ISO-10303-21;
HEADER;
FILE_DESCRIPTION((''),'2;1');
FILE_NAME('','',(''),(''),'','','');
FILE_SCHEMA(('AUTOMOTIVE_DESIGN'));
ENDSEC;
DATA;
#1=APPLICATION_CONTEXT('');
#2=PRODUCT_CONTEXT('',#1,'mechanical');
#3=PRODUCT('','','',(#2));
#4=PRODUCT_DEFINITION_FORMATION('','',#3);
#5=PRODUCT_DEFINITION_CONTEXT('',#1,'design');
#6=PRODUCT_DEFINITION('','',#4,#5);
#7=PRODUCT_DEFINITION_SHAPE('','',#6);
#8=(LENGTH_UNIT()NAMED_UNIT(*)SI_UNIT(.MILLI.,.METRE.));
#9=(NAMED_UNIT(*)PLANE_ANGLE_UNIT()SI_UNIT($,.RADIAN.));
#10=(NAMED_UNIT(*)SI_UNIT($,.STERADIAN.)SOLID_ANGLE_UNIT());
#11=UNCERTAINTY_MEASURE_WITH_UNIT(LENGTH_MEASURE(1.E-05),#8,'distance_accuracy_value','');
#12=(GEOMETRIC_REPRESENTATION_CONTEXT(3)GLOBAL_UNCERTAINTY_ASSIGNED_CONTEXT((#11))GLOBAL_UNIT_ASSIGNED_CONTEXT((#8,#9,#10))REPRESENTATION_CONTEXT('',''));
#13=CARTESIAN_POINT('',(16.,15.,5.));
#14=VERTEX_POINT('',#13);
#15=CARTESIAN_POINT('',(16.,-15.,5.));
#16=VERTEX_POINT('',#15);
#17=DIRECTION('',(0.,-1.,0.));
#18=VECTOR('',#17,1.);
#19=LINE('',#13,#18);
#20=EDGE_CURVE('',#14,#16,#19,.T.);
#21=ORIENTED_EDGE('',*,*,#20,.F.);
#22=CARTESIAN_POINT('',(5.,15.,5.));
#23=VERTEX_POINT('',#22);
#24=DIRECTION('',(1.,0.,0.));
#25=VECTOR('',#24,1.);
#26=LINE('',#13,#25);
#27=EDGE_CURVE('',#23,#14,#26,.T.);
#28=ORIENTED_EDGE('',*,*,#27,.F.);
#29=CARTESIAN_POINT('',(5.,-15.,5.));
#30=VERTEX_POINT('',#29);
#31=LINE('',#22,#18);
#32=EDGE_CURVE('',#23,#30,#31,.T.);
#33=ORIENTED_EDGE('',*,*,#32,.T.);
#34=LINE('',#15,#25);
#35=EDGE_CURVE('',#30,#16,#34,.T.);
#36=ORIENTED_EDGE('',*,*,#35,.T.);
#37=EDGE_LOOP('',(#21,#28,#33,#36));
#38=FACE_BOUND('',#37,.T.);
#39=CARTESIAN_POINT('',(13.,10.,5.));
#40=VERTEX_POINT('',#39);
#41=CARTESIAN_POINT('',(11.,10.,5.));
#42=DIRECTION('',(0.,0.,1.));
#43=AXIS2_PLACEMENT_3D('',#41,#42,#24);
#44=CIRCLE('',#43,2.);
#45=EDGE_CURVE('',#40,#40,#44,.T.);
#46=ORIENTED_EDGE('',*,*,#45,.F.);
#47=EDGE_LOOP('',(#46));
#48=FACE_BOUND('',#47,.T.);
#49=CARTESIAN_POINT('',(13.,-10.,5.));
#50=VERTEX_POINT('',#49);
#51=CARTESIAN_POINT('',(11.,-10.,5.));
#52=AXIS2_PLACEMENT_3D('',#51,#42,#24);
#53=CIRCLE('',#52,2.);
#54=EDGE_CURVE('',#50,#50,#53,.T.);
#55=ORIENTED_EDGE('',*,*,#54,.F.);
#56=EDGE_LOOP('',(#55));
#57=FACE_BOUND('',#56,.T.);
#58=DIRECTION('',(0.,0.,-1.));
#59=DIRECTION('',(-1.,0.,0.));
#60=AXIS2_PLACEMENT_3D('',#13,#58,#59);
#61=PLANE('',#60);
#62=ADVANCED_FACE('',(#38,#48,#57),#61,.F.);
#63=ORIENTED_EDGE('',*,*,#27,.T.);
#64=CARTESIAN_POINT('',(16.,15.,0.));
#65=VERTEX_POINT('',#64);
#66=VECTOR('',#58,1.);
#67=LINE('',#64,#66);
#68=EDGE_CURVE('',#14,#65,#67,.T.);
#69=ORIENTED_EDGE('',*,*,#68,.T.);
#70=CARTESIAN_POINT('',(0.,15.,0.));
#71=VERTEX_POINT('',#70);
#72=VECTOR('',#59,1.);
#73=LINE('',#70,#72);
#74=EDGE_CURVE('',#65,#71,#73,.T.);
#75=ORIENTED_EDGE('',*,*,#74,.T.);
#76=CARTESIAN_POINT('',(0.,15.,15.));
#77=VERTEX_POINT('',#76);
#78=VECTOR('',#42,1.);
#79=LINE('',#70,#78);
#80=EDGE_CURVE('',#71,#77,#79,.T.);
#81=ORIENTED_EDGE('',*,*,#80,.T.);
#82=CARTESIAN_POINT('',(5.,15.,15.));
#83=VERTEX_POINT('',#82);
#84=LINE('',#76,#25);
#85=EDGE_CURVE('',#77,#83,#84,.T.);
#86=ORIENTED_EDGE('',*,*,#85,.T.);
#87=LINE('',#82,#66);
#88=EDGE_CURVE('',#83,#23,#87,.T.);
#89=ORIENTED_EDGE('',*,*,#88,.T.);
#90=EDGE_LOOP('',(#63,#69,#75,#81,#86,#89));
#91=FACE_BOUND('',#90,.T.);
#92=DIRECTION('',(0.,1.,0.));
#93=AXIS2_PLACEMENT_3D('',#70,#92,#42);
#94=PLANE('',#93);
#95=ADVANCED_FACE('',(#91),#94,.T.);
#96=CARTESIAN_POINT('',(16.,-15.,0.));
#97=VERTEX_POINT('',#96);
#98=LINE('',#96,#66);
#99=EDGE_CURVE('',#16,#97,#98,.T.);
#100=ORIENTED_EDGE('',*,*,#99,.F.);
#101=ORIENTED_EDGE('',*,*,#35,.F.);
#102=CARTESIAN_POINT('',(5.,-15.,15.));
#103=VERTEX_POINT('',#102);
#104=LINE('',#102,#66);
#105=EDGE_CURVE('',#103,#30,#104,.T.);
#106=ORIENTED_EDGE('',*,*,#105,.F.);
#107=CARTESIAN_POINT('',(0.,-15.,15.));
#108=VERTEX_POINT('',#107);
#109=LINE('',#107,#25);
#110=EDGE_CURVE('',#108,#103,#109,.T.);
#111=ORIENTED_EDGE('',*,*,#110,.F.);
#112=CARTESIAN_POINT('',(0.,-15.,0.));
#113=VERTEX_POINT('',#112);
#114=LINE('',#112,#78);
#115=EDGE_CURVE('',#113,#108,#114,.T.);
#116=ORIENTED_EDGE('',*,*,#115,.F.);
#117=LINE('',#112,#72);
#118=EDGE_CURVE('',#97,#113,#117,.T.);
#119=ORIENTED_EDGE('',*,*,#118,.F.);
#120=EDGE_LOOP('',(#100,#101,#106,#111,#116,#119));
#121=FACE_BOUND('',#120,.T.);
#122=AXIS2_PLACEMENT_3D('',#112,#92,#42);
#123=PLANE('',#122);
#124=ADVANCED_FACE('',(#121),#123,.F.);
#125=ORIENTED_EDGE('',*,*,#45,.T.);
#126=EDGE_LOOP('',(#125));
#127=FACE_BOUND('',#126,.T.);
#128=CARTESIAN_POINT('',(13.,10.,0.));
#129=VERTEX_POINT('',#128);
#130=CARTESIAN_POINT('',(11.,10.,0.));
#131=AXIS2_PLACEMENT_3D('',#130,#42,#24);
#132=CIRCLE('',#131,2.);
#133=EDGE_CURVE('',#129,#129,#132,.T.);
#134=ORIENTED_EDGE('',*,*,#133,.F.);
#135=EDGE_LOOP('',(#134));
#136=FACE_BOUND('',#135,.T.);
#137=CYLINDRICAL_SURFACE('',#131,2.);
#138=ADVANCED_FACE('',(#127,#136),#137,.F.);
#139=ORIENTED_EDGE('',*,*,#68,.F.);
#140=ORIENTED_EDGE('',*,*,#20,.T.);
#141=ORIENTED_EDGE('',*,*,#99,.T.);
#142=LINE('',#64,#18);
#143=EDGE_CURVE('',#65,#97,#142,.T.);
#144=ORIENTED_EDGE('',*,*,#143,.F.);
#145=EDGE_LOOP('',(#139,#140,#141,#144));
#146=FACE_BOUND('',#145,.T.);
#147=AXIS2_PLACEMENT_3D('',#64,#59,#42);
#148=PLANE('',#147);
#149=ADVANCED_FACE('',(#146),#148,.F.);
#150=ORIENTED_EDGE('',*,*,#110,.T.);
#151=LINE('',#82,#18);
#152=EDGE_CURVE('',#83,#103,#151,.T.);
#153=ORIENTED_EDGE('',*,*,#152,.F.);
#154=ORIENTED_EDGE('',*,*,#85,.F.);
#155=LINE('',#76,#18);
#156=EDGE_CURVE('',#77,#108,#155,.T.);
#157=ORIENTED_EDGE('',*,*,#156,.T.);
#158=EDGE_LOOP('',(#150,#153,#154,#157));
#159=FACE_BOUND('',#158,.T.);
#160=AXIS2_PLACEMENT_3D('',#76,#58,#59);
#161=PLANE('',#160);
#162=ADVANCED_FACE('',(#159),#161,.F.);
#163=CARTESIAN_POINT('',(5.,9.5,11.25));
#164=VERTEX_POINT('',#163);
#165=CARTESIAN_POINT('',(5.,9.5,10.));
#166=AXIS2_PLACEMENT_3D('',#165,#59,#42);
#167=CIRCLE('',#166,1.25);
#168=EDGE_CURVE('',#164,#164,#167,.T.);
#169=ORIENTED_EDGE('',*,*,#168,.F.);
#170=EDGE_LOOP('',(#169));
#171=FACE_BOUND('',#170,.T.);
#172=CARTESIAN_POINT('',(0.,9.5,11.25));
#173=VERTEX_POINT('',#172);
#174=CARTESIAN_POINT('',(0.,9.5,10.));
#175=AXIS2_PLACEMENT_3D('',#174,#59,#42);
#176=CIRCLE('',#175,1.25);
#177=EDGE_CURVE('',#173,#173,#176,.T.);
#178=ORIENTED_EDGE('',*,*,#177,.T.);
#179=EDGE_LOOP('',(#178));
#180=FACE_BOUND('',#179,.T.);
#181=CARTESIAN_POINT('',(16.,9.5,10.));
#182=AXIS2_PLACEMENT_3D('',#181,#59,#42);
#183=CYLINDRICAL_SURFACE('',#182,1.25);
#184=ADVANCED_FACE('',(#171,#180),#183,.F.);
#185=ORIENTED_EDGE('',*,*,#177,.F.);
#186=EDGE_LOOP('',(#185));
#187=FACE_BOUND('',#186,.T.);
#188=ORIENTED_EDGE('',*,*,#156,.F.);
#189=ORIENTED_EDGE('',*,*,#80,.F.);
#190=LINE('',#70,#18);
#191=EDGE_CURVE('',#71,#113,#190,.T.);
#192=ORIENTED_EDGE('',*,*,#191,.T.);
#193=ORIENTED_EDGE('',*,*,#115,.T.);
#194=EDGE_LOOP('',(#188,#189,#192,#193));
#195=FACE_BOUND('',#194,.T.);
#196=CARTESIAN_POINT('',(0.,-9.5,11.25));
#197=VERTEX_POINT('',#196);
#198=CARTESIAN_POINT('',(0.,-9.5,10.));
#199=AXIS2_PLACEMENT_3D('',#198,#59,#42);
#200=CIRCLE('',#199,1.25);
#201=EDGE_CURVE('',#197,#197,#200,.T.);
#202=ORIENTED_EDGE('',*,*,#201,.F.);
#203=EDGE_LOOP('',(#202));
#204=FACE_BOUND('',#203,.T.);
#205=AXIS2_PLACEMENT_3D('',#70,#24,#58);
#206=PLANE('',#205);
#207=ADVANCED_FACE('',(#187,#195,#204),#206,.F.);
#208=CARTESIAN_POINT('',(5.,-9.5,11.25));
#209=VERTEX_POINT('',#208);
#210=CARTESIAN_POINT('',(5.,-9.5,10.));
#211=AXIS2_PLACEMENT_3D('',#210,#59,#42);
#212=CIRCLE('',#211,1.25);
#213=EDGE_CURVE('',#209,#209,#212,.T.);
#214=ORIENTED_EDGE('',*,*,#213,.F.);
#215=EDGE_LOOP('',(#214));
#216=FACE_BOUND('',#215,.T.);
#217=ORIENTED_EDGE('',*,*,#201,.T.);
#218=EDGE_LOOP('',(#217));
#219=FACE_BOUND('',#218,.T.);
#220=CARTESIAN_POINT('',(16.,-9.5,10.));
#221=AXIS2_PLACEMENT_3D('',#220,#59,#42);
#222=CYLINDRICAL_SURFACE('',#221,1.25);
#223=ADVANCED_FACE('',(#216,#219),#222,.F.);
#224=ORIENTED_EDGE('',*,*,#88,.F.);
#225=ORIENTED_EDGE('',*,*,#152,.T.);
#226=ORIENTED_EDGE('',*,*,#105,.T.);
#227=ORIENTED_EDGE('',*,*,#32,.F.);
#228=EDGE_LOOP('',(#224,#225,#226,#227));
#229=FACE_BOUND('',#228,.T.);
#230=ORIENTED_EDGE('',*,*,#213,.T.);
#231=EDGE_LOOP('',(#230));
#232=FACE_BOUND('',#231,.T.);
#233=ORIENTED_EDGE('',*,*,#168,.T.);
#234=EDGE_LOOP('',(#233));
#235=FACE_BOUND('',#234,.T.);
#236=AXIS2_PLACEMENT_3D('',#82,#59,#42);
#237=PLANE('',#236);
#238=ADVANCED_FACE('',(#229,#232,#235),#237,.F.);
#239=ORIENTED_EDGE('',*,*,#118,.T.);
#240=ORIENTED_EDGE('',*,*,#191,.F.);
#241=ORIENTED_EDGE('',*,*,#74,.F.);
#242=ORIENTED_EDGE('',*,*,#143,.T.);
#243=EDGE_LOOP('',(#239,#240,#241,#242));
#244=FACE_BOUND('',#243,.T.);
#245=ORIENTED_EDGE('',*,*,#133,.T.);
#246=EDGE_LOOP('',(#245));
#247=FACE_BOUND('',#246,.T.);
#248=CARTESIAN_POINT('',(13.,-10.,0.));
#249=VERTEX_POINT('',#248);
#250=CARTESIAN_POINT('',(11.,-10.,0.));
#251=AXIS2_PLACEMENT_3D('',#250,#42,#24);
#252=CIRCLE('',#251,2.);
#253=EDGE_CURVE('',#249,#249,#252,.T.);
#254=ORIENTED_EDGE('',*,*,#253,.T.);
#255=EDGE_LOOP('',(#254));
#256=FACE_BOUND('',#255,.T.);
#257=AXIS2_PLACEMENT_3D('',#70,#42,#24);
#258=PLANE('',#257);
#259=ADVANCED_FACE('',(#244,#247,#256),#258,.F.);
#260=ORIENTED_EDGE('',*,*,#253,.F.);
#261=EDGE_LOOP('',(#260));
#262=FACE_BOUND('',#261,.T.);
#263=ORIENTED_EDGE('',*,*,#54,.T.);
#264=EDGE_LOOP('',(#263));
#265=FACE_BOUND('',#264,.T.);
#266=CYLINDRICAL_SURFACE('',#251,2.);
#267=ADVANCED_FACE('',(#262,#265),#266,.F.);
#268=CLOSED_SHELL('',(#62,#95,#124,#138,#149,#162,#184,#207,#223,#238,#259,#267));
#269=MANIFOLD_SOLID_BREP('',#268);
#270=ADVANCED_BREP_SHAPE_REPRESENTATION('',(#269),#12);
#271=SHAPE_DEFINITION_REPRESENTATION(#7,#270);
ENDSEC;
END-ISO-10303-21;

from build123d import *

# Parameters (mm, degrees)
BOSS_EXTRUDE1_DEPTH = 15
SKETCH2_R           = 2
CUT_EXTRUDE1_DEPTH  = 25.103941586
SKETCH3_R           = 1.25
CUT_EXTRUDE2_DEPTH  = 27.570660511


with BuildPart() as part:
    # Sketch1 → Boss-Extrude1 (new, symmetric)
    with BuildSketch(Plane(origin=(0, 0, 0), x_dir=(1, 0, 0), z_dir=(0, 1, 0))):
        Polygon((0, 0), (16, 0), (16, -5), (5, -5), (5, -15), (0, -15), align=None)
    extrude(amount=BOSS_EXTRUDE1_DEPTH, both=True)

    # Sketch2 → Cut-Extrude1 (cut, through all)
    with BuildSketch(Plane.XY.offset(5)):
        with Locations((11, 10)):
            Circle(SKETCH2_R)
        with Locations((11, -10)):
            Circle(SKETCH2_R)
    extrude(amount=-CUT_EXTRUDE1_DEPTH, mode=Mode.SUBTRACT)

    # Sketch3 → Cut-Extrude2 (cut, through all)
    with BuildSketch(Plane.ZY):
        with Locations((10, 9.5)):
            Circle(SKETCH3_R)
        with Locations((10, -9.5)):
            Circle(SKETCH3_R)
    extrude(amount=-CUT_EXTRUDE2_DEPTH, mode=Mode.SUBTRACT)


solid = part.part
